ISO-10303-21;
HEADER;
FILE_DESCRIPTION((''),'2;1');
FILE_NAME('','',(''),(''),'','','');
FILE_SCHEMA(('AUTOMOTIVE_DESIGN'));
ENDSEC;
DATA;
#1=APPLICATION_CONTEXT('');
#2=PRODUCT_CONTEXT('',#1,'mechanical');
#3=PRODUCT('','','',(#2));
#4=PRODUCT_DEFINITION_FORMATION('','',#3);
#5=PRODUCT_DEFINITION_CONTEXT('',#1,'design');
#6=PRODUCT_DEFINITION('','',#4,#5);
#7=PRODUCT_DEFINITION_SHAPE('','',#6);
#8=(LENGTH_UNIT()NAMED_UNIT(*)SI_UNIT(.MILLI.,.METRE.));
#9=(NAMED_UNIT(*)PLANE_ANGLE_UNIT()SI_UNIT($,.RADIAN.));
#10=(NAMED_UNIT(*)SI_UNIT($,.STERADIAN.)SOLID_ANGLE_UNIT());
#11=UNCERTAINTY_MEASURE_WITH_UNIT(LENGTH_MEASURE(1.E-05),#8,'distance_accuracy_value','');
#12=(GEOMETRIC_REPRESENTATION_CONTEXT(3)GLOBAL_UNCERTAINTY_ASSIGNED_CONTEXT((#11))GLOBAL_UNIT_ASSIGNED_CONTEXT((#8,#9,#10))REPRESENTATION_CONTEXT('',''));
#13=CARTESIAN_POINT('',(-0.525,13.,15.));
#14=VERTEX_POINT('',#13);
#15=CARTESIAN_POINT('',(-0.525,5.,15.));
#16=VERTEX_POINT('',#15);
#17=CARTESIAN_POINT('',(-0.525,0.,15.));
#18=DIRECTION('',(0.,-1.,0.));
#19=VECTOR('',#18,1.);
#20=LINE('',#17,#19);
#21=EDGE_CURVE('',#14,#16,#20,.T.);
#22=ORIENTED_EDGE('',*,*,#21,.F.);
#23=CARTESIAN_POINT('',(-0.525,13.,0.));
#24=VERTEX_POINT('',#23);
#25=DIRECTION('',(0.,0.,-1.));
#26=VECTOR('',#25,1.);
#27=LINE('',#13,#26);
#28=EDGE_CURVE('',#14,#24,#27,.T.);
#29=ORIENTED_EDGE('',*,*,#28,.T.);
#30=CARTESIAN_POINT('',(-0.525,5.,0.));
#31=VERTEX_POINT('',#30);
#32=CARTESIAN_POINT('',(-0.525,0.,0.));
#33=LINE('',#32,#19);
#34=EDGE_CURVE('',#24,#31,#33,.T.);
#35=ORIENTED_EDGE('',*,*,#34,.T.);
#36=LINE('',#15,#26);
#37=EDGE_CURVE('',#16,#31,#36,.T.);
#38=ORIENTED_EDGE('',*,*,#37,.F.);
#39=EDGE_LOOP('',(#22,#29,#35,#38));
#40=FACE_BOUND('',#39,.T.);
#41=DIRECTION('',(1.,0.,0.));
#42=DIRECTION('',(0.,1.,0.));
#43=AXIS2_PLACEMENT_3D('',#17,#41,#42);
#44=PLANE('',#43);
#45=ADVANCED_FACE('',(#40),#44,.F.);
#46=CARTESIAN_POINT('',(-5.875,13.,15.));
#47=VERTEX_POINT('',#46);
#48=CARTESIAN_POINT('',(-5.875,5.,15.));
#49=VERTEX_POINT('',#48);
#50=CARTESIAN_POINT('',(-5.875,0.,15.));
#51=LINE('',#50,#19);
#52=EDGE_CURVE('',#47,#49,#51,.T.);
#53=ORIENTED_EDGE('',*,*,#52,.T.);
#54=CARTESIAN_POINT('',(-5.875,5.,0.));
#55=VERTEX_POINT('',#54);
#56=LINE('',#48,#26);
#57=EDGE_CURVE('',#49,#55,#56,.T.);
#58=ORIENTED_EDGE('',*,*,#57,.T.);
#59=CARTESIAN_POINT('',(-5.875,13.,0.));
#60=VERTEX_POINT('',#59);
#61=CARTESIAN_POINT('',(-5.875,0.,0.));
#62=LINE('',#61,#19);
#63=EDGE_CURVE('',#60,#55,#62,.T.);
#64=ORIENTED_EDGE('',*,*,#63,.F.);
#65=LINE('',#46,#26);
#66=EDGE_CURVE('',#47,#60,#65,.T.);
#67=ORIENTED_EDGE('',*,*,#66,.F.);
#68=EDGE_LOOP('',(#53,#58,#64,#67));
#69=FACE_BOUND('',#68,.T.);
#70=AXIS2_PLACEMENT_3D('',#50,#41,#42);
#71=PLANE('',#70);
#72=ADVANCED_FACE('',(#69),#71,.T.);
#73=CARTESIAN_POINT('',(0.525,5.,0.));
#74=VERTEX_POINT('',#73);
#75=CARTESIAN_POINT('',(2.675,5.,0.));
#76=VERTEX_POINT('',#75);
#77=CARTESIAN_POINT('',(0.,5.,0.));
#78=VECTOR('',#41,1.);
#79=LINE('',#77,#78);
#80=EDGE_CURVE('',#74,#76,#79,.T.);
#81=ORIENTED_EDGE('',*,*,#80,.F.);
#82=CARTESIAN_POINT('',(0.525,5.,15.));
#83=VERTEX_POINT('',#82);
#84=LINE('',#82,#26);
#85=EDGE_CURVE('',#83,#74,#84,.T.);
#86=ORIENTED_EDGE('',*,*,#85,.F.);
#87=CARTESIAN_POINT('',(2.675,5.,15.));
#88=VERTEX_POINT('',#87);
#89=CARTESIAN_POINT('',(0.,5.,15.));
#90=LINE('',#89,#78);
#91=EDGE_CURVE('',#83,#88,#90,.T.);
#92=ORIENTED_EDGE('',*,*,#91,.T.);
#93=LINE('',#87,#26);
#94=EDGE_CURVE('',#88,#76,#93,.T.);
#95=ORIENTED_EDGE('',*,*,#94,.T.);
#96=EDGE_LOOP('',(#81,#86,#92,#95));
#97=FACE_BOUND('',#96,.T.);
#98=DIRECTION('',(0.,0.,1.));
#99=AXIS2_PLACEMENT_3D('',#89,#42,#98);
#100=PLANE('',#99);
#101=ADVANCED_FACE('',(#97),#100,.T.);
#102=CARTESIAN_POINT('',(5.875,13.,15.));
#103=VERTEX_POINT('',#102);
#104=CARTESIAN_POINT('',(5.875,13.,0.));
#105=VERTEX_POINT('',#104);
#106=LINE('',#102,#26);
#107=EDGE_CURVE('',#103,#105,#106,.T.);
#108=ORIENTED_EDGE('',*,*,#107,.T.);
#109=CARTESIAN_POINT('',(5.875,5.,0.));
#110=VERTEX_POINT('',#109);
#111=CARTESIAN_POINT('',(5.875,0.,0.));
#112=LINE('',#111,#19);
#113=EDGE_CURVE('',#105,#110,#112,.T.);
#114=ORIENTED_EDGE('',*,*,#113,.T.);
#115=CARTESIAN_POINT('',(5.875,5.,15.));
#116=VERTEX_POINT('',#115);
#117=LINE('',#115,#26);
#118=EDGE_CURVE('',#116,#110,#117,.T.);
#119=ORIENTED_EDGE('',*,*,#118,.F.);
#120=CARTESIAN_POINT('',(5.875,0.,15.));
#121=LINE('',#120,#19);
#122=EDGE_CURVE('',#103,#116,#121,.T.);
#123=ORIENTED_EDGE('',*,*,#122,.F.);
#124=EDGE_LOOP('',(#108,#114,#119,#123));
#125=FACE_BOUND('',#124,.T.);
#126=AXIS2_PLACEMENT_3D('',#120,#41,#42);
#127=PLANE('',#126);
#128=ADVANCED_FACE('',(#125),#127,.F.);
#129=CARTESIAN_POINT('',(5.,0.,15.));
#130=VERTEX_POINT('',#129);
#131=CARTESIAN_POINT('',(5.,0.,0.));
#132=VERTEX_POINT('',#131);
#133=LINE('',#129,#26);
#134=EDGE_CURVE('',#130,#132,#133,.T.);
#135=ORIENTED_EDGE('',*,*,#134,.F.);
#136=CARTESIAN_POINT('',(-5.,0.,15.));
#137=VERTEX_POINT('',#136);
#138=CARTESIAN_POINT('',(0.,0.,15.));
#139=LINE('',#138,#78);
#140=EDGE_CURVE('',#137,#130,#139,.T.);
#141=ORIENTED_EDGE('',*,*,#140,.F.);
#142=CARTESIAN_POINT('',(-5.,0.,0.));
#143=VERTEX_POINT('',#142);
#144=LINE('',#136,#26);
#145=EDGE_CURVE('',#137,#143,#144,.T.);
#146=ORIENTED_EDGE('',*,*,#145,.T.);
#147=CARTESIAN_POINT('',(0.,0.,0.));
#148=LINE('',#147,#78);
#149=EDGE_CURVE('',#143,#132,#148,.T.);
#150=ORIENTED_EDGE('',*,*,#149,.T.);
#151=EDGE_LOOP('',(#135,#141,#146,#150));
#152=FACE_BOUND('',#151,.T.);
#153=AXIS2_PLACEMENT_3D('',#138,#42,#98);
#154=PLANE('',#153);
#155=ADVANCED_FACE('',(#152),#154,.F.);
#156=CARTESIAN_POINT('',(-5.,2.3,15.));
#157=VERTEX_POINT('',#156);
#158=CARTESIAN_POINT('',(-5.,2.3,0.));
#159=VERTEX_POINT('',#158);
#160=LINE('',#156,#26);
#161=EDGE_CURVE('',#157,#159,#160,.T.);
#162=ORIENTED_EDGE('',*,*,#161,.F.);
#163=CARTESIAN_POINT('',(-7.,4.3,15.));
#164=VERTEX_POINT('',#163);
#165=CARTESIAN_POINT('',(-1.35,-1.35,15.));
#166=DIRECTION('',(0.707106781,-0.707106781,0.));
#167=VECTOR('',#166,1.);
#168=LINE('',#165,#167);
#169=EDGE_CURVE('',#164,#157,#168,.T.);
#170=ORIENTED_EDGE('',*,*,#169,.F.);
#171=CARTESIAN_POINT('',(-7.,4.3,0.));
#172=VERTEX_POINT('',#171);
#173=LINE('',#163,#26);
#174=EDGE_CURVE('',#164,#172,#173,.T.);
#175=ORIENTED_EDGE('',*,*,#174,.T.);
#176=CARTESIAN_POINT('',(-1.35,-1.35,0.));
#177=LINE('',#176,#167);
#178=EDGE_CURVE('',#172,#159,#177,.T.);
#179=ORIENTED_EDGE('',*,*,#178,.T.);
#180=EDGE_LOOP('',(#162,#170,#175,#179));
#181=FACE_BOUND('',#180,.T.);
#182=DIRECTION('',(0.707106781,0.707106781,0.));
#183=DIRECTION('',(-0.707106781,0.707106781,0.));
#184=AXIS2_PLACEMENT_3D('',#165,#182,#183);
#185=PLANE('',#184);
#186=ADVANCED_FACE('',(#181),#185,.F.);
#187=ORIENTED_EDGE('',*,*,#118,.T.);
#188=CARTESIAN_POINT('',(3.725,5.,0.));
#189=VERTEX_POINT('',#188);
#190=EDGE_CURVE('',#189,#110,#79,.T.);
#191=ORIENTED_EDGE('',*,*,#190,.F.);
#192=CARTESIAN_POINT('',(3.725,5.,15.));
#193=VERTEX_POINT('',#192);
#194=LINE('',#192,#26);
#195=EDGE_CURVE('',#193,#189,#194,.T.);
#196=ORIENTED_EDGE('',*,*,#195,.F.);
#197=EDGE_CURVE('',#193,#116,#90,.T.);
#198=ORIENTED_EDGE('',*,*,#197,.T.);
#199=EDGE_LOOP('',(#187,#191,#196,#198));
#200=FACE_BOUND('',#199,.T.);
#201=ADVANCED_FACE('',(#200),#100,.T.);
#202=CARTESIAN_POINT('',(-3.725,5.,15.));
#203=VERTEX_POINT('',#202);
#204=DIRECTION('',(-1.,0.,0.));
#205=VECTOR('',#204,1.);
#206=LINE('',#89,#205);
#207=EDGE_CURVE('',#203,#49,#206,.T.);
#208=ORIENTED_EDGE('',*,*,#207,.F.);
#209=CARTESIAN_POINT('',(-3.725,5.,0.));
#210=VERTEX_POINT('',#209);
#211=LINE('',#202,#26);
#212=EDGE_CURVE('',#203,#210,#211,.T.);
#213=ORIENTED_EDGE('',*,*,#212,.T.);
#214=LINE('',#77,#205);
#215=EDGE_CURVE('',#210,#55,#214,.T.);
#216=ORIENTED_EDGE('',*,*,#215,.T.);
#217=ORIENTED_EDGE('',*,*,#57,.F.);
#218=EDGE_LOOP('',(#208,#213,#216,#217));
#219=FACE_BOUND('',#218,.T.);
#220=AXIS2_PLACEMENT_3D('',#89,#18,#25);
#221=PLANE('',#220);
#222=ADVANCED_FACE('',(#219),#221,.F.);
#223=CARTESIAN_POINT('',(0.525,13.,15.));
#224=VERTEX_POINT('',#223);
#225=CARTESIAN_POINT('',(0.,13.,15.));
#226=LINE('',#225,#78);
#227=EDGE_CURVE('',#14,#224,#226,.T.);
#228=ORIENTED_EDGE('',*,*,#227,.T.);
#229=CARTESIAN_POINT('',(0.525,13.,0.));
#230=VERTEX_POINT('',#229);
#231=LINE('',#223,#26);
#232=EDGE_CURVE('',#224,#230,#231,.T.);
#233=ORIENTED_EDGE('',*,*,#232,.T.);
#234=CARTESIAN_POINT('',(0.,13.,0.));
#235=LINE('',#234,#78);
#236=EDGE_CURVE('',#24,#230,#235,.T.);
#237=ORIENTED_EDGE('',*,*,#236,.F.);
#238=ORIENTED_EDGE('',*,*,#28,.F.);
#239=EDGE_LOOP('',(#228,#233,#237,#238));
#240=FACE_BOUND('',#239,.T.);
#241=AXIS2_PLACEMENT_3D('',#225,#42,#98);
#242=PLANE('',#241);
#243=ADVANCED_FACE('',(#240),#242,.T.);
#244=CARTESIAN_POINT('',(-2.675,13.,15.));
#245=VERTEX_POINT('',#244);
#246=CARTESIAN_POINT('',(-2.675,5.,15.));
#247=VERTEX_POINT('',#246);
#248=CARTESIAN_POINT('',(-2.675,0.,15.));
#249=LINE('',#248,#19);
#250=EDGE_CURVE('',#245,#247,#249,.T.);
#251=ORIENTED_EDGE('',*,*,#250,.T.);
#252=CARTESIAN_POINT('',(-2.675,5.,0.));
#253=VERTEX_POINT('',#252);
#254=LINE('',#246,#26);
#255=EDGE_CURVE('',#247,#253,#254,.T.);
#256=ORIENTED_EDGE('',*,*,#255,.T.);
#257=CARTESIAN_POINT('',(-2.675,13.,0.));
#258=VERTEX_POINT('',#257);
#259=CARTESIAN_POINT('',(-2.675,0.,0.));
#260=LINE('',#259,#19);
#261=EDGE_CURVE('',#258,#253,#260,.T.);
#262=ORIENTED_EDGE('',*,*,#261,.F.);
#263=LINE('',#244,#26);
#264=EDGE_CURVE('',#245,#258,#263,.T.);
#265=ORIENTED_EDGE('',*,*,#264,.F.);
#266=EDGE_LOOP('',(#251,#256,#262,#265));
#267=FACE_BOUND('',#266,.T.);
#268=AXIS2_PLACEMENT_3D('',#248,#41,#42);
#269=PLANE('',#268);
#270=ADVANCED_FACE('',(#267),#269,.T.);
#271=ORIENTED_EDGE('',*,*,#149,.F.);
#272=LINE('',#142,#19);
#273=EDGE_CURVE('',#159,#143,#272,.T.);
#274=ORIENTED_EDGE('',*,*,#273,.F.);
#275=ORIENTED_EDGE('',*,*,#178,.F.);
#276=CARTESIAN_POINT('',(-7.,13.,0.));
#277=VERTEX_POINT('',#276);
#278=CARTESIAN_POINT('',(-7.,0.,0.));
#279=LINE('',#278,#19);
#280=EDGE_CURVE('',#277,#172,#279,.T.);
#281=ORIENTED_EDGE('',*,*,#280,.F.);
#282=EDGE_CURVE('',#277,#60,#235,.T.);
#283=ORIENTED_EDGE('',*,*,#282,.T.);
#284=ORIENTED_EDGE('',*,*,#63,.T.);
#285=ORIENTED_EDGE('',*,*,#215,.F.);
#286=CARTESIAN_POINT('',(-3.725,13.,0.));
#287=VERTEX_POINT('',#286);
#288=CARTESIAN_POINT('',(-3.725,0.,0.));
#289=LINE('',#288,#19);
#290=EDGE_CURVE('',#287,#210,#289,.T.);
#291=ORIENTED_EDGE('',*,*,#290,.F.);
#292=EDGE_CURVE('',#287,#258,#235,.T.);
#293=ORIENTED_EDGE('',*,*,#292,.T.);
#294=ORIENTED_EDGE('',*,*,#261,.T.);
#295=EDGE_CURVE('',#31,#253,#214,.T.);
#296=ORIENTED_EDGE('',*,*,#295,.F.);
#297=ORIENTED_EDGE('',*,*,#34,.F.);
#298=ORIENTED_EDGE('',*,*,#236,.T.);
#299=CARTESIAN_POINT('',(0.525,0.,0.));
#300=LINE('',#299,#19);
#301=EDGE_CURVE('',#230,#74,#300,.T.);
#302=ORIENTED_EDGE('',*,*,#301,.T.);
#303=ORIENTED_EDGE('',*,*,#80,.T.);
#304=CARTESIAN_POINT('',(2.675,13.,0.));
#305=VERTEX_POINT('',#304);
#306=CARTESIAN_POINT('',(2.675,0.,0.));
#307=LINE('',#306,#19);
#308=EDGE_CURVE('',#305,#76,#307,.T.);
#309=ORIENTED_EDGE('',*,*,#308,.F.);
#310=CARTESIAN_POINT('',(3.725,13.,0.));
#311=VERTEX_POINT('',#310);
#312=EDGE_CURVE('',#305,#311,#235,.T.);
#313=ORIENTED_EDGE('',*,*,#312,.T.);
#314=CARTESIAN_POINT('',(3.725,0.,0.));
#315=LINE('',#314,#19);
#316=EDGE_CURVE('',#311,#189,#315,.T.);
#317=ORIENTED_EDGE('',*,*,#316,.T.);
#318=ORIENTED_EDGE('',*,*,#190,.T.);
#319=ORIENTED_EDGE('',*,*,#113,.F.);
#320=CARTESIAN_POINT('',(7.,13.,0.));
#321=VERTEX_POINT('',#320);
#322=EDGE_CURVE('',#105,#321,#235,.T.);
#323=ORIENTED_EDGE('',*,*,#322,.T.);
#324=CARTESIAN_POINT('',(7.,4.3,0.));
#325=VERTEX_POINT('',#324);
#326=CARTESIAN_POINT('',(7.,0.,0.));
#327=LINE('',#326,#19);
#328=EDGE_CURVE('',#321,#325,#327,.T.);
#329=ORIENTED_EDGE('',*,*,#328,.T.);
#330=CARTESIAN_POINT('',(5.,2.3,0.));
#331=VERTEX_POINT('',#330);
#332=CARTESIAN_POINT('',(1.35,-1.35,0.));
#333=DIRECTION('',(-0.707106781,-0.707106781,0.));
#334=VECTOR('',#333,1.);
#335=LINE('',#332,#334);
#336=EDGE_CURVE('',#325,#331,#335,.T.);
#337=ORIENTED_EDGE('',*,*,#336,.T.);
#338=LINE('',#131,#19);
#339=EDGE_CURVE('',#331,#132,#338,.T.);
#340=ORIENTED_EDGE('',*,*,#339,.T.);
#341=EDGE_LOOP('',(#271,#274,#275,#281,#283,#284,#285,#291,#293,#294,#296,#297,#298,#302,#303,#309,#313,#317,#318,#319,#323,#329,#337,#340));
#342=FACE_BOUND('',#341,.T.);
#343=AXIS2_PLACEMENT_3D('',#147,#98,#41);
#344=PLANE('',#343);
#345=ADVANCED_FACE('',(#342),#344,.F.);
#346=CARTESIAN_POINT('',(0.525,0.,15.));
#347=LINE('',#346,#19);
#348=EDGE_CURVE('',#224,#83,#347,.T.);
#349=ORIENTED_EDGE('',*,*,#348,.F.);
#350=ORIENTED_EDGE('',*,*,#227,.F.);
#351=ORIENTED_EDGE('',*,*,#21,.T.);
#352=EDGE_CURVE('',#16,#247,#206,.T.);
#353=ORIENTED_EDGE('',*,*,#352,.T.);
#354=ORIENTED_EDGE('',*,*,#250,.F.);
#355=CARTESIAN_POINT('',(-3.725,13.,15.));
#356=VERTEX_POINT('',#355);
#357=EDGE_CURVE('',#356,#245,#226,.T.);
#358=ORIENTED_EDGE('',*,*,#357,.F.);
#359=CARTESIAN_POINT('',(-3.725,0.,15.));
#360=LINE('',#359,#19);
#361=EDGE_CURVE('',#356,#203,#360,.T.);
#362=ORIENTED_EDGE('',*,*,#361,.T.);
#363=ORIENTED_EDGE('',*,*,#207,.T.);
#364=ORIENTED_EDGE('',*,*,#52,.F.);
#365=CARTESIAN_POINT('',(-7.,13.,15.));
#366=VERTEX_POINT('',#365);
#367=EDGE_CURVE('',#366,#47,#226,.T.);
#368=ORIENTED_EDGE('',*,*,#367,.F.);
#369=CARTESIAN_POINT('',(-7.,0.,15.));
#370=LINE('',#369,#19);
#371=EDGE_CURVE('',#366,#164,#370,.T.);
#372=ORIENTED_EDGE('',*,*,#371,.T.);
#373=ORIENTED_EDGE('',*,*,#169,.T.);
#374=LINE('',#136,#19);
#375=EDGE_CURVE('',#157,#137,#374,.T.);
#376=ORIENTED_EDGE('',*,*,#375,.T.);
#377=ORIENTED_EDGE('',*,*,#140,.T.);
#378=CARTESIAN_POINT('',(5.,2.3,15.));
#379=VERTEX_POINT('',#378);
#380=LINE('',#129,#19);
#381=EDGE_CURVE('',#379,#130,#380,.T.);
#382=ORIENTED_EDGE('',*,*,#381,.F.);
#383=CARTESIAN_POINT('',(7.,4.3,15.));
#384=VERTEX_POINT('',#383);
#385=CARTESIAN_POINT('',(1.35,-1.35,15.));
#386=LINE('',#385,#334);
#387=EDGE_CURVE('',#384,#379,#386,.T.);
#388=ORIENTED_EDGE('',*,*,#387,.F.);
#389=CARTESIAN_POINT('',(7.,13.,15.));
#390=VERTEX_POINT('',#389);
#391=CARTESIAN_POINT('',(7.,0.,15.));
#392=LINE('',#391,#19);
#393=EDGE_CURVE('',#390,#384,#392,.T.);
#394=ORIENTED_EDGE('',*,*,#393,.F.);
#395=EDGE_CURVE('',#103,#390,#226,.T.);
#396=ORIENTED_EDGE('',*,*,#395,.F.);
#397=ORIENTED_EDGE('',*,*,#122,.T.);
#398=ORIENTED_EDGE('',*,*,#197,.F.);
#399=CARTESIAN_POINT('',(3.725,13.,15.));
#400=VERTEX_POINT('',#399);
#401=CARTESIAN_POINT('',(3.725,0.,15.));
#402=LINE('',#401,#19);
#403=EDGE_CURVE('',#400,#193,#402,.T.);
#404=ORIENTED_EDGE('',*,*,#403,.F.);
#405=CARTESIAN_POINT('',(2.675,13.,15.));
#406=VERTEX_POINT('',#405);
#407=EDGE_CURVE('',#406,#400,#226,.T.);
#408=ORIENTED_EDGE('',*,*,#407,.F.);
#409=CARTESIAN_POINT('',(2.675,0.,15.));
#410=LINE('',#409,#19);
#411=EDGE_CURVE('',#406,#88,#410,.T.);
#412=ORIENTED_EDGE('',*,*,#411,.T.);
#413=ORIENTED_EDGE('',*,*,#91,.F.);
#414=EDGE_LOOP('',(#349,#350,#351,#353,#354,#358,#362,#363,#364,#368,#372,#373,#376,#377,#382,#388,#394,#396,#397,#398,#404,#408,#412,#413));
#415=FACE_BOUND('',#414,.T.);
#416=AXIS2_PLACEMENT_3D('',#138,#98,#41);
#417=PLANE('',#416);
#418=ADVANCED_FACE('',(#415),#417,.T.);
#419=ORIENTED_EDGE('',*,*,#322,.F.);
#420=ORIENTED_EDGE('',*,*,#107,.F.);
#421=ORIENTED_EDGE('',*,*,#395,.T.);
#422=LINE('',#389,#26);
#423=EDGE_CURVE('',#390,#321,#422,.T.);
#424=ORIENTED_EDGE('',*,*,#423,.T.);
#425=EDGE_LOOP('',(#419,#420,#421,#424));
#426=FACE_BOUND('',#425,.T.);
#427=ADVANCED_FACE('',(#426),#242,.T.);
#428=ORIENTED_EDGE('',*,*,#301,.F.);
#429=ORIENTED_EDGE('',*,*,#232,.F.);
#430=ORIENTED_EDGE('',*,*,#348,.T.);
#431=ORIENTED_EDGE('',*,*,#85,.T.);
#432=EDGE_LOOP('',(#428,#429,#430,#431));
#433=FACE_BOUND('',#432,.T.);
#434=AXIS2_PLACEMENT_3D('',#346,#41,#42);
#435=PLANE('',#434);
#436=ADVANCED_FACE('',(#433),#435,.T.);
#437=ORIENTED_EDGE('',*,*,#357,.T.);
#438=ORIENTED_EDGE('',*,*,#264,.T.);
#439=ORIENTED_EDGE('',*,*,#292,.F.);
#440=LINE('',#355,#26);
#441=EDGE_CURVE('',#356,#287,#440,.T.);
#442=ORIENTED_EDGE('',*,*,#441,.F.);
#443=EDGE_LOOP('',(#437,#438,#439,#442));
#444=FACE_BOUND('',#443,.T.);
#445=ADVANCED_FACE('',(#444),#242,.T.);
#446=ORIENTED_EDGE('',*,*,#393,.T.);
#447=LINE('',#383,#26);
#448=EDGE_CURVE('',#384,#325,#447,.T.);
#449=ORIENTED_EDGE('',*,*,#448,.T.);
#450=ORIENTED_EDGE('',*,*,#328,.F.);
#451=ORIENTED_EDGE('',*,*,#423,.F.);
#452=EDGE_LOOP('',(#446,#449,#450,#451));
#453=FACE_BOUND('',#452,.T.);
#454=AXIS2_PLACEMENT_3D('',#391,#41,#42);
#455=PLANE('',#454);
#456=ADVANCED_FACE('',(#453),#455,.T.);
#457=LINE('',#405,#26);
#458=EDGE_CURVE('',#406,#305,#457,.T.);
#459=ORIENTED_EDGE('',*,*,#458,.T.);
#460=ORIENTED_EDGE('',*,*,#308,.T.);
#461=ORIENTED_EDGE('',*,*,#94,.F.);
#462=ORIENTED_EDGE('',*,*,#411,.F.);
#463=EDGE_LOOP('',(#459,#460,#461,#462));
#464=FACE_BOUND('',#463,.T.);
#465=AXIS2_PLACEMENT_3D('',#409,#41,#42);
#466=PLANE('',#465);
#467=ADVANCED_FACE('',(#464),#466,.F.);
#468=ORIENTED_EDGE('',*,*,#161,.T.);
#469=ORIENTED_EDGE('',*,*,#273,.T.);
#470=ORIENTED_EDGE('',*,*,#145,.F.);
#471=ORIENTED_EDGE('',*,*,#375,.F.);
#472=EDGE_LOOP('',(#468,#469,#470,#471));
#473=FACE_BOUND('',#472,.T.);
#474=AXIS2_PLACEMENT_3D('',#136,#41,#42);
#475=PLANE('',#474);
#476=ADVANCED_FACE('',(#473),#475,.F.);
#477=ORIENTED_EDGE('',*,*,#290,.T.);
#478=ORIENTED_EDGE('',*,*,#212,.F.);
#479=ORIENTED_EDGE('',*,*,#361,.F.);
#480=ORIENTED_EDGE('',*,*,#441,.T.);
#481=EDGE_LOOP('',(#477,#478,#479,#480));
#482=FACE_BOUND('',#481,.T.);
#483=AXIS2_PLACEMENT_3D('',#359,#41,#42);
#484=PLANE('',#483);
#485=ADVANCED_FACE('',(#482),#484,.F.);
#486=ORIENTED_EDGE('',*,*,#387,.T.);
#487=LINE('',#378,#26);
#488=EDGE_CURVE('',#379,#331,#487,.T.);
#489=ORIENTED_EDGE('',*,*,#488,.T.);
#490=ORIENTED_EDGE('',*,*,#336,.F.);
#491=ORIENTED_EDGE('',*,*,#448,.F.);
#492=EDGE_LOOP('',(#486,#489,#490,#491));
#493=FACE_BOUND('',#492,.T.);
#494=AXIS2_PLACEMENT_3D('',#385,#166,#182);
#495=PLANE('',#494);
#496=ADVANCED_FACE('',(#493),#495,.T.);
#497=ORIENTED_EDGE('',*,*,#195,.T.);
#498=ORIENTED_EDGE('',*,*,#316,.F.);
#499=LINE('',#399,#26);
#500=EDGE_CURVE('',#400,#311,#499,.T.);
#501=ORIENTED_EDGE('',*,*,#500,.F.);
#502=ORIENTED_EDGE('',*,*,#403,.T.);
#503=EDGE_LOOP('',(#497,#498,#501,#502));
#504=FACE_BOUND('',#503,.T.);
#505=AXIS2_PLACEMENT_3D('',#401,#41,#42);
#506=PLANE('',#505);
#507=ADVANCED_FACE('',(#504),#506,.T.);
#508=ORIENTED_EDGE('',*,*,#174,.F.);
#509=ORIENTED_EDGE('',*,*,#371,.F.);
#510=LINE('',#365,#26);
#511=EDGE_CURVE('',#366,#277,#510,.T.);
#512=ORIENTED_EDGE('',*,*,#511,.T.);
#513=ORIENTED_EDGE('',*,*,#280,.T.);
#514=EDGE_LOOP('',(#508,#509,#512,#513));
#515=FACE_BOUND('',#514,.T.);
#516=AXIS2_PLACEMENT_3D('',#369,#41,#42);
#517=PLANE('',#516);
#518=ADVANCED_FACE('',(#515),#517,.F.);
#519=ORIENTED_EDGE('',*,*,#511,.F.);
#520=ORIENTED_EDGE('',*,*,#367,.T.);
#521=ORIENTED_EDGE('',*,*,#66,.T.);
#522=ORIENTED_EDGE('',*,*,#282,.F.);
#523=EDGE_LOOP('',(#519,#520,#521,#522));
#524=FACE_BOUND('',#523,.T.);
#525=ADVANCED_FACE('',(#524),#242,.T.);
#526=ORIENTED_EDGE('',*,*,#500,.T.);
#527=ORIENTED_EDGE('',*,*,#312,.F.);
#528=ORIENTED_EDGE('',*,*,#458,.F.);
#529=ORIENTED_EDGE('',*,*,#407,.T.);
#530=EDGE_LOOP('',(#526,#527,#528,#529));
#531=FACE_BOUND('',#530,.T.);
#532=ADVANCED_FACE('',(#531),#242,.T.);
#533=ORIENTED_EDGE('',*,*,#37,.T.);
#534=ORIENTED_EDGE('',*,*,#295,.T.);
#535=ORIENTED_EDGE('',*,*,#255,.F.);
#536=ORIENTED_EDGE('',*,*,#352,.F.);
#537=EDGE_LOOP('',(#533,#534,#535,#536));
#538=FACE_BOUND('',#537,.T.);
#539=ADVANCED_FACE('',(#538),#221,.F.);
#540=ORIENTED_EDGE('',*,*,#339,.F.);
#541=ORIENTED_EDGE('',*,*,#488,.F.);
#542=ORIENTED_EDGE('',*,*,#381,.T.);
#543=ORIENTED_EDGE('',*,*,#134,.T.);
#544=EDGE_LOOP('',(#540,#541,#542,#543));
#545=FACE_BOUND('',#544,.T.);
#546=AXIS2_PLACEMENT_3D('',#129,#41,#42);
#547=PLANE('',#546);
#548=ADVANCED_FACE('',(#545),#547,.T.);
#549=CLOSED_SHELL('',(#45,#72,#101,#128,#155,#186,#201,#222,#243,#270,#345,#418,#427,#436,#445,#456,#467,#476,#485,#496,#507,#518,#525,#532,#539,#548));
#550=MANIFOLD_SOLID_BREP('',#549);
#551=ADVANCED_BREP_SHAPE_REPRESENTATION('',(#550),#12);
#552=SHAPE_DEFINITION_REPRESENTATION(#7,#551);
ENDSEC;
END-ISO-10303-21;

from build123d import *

# Parameters (mm, degrees)
BOSS_EXTRUDE1_DEPTH = 15


with BuildPart() as part:
    # Sketch1 → Boss-Extrude1 (new body)
    with BuildSketch(Plane.XY):
        Polygon((-5.875, 13), (-7, 13), (-7, 4.3), (-5, 2.3), (-5, 0), (5, 0), (5, 2.3), (7, 4.3), (7, 13), (5.875, 13), (5.875, 5), (3.725, 5), (3.725, 13), (2.675, 13), (2.675, 5), (0.525, 5), (0.525, 13), (-0.525, 13), (-0.525, 5), (-2.675, 5), (-2.675, 13), (-3.725, 13), (-3.725, 5), (-5.875, 5), align=None)
    extrude(amount=BOSS_EXTRUDE1_DEPTH)


solid = part.part
